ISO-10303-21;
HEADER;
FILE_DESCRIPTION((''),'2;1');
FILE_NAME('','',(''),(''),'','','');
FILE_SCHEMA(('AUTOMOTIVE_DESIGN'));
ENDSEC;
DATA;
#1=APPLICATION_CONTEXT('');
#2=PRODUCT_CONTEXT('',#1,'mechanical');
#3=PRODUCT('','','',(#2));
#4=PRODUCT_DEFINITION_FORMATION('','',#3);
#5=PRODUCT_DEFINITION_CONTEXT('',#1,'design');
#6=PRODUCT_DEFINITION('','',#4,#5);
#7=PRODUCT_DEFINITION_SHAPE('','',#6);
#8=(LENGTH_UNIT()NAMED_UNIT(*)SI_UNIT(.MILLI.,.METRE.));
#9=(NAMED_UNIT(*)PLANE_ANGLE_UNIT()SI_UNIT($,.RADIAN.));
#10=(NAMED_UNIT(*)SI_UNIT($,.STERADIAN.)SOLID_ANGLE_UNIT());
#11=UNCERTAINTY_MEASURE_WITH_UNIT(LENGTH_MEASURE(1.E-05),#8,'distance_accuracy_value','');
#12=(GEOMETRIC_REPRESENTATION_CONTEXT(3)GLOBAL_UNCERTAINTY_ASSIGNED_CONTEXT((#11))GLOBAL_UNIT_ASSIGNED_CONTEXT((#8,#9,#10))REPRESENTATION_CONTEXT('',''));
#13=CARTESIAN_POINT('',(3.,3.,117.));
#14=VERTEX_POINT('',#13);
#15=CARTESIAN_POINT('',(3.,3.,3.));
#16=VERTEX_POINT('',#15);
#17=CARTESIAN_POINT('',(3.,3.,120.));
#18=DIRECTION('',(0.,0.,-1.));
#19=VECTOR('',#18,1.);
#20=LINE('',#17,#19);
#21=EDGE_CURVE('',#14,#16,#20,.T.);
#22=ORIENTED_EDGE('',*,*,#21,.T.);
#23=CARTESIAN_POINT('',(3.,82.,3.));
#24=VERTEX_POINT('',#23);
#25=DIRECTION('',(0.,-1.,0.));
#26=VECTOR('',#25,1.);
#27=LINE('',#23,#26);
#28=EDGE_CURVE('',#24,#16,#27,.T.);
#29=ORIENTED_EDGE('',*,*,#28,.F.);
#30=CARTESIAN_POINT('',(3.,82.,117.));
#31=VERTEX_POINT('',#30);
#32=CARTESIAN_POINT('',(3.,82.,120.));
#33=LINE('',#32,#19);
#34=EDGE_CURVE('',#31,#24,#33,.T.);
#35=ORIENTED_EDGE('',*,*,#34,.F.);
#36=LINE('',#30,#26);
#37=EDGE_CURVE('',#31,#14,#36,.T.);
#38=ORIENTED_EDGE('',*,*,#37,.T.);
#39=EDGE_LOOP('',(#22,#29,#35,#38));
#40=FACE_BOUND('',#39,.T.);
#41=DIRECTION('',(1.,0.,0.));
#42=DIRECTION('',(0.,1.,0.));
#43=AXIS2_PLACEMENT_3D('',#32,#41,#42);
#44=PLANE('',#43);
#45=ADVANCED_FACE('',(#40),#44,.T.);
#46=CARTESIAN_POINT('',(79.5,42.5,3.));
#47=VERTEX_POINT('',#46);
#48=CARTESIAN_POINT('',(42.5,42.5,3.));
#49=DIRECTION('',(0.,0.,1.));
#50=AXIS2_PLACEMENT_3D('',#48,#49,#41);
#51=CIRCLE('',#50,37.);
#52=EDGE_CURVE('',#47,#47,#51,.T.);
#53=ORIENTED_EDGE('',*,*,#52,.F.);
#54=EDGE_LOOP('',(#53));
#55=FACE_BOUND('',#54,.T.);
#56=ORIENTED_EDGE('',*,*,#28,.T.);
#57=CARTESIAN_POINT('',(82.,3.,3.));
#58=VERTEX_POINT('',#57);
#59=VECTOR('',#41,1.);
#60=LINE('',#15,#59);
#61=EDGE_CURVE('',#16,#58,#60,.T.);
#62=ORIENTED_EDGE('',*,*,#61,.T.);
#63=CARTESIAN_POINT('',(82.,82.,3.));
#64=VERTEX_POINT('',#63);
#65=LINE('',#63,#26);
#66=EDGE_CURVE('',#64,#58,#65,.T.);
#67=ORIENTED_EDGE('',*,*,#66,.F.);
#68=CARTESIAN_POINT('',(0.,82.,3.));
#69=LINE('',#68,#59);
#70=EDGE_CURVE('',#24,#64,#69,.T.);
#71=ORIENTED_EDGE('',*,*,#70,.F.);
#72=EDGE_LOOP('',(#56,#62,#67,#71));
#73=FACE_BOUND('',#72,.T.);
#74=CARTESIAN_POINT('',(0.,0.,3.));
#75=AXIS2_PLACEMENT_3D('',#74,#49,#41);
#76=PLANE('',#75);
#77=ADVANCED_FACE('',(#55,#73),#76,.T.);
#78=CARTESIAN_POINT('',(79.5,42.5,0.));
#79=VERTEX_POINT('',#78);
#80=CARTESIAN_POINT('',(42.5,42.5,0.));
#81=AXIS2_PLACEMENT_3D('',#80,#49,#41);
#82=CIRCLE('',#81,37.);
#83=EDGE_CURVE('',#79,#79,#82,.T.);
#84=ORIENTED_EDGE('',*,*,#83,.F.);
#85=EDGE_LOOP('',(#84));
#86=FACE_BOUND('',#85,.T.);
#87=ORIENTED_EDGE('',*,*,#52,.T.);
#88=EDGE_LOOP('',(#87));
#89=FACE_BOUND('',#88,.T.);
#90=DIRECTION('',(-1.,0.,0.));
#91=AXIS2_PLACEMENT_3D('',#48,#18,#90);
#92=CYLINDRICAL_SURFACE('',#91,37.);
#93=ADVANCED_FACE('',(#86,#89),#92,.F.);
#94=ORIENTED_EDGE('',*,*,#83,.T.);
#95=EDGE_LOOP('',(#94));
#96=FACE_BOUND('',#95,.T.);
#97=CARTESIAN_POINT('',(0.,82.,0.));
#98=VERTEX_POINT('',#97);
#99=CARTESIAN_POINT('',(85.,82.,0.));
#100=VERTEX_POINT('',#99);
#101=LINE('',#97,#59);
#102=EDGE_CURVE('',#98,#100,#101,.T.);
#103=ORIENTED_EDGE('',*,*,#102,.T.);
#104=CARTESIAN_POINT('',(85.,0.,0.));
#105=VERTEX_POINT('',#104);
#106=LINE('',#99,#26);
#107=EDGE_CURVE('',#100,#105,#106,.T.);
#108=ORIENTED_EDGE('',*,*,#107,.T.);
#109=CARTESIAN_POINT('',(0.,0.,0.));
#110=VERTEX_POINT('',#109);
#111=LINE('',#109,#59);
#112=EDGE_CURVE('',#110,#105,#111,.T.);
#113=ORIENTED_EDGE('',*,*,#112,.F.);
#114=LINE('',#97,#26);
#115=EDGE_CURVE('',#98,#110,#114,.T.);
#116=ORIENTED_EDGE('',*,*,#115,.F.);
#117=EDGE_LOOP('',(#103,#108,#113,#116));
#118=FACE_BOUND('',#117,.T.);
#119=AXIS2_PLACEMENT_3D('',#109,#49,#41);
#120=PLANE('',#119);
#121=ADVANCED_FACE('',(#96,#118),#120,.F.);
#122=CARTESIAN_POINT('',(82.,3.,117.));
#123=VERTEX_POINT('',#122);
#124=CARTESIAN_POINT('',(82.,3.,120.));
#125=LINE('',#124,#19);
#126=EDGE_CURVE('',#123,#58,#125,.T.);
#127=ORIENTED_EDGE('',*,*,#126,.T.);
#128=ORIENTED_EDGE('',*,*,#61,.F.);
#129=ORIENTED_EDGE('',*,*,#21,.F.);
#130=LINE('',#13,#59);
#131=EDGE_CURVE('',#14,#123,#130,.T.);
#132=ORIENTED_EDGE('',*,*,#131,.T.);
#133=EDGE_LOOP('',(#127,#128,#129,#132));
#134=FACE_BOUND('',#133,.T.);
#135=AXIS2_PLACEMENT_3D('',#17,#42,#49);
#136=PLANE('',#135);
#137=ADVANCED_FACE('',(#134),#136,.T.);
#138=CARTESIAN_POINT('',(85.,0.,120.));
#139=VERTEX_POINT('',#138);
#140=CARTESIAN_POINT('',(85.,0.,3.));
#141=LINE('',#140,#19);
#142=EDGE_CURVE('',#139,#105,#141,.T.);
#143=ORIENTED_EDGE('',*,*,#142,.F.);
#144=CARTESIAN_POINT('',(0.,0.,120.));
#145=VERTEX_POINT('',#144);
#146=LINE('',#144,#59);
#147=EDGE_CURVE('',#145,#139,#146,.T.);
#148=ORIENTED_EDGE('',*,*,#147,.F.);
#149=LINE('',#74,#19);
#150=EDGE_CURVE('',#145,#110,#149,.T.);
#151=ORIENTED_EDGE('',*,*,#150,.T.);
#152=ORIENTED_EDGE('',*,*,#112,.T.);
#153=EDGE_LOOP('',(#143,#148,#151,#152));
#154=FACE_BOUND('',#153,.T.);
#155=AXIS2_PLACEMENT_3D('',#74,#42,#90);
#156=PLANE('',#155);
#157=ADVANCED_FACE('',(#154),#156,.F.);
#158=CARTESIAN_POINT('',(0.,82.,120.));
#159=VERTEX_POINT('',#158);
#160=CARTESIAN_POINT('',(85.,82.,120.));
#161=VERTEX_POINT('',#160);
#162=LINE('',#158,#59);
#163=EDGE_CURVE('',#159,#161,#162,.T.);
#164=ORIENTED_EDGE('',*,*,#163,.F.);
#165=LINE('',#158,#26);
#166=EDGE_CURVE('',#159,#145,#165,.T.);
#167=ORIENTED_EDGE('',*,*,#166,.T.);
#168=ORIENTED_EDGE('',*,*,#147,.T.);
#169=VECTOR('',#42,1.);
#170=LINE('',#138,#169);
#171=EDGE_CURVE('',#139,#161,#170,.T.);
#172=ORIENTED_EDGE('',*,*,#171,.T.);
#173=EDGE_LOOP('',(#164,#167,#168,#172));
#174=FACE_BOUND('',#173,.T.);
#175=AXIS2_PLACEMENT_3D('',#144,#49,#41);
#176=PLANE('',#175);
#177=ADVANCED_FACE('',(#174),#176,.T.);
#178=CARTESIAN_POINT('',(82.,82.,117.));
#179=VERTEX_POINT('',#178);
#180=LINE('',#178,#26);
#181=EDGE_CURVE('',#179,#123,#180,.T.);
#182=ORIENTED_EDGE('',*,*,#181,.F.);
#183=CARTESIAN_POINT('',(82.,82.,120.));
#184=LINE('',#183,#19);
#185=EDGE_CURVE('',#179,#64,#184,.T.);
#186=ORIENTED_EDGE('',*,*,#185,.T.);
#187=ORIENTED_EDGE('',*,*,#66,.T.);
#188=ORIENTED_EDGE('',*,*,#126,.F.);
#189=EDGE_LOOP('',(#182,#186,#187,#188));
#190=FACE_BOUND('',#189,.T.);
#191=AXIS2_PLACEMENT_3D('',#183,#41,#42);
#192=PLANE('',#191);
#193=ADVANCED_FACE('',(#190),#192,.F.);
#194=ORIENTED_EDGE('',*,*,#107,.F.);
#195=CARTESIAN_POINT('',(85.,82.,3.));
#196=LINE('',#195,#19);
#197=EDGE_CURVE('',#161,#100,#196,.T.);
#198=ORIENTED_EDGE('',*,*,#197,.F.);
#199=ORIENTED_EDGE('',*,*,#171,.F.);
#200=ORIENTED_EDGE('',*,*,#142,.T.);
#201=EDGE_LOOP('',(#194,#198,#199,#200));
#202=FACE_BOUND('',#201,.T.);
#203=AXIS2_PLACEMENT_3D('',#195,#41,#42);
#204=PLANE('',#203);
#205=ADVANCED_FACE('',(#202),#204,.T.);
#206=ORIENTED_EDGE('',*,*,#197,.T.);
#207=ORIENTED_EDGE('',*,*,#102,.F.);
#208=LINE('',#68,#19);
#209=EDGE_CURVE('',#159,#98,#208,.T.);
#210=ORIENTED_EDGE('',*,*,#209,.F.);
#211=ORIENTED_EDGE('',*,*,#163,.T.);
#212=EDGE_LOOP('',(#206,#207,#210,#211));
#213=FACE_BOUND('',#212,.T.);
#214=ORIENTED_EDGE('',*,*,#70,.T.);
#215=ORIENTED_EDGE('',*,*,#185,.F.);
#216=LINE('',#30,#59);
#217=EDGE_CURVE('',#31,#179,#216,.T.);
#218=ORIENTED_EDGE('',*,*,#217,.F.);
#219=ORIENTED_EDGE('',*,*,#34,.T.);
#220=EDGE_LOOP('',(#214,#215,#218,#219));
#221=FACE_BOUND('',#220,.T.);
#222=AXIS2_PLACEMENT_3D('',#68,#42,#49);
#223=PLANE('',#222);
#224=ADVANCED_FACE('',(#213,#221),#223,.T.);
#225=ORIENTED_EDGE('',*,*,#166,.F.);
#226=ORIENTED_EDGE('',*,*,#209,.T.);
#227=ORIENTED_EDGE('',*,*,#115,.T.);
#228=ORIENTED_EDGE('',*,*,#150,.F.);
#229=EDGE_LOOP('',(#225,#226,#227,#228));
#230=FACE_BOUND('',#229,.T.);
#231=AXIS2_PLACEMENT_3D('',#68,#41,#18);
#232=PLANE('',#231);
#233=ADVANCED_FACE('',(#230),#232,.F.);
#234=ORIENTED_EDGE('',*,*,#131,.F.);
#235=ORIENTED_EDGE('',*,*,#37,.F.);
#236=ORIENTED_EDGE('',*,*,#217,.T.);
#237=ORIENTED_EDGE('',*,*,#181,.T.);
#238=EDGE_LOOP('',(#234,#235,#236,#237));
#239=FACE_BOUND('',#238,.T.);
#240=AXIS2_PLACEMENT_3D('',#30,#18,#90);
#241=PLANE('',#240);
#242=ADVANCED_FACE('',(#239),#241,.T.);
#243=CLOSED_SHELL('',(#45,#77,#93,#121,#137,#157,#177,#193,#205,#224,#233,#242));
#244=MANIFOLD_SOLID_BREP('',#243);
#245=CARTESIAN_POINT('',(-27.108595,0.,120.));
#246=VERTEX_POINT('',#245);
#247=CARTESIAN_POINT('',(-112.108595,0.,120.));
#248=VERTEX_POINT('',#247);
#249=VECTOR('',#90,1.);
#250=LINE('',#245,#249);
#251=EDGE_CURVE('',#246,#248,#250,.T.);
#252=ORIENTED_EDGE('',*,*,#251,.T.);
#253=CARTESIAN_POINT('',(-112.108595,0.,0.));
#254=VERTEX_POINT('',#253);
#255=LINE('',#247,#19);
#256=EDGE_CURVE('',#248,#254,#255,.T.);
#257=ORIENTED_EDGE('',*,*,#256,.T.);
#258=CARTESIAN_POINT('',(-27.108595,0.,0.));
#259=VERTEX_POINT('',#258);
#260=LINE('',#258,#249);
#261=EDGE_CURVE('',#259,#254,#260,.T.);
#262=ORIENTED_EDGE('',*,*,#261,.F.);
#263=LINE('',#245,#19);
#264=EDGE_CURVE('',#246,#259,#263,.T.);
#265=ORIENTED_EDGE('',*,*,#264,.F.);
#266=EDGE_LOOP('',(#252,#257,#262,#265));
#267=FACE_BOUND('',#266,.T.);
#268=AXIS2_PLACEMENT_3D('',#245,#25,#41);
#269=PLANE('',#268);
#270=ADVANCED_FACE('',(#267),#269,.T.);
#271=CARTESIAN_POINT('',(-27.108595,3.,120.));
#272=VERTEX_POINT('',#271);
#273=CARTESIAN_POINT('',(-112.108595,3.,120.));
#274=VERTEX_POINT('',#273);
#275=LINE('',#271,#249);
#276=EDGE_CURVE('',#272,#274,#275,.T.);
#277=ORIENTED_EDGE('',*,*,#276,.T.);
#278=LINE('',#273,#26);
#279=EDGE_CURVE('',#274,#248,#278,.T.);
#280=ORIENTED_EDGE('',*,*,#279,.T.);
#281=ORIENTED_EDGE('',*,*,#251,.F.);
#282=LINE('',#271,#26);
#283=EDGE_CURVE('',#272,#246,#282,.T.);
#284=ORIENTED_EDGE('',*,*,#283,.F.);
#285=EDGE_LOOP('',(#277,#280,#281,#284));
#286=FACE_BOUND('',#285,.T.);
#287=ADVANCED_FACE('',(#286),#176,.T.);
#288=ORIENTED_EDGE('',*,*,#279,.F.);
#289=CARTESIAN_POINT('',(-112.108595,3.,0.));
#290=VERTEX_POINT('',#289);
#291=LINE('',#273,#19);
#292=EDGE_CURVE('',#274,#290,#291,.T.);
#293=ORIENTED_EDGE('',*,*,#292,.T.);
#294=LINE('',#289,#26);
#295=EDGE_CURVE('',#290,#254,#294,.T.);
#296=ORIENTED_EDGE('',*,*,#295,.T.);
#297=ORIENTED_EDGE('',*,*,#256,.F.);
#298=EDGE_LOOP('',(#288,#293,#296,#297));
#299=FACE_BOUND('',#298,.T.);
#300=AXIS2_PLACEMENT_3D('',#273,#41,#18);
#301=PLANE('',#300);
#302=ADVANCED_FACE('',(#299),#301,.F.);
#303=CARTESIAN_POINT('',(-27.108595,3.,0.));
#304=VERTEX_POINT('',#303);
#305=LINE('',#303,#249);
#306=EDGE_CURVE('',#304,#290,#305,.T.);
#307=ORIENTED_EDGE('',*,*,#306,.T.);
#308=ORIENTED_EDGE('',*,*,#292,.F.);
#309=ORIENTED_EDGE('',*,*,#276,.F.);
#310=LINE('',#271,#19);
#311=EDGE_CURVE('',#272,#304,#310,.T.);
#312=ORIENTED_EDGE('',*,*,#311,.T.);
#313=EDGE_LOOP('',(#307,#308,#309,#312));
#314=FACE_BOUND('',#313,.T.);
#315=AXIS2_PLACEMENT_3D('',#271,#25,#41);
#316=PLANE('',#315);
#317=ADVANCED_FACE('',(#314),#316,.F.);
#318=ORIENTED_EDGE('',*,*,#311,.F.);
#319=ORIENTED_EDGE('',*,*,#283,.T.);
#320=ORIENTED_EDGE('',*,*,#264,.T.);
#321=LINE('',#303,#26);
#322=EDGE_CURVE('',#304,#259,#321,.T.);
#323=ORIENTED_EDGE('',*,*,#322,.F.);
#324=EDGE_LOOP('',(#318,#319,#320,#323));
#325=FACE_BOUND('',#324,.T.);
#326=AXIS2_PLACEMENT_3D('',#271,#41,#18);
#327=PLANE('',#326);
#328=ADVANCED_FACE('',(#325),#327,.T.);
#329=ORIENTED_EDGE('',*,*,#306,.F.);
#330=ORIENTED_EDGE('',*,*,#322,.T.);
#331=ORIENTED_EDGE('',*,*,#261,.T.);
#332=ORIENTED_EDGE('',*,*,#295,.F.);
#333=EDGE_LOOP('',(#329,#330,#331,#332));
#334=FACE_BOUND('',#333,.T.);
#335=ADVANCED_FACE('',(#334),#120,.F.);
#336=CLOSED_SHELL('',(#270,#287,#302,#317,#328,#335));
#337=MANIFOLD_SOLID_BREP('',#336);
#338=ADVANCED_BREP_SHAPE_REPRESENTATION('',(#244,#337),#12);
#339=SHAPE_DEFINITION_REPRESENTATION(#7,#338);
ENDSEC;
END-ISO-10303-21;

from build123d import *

# Parameters (mm, degrees)
SKETCH2_W           = 85
SKETCH2_H           = 82
SKETCH2_R           = 37
BOSS_EXTRUDE1_DEPTH = 3
SKETCH7_W           = 3
SKETCH7_H           = 82
BOSS_EXTRUDE2_DEPTH = 117
SKETCH8_W           = 82
SKETCH8_H           = 3
BOSS_EXTRUDE3_DEPTH = 117
SKETCH10_W          = 3
SKETCH10_H          = 79
BOSS_EXTRUDE4_DEPTH = 117
SKETCH11_W          = 79
SKETCH11_H          = 3
BOSS_EXTRUDE5_DEPTH = 79
SKETCH13_W          = 85
SKETCH13_H          = 3
BOSS_EXTRUDE6_DEPTH = 120


with BuildPart() as part:
    # Sketch2 → Boss-Extrude1 (new body)
    with BuildSketch(Plane.XY):
        with Locations((42.5, 41)):
            Rectangle(SKETCH2_W, SKETCH2_H)
        with Locations((42.5, 42.5)):
            Circle(SKETCH2_R, mode=Mode.SUBTRACT)
    extrude(amount=BOSS_EXTRUDE1_DEPTH)

    # Sketch7 → Boss-Extrude2 (add)
    with BuildSketch(Plane.XY.offset(3)):
        with Locations((1.5, 41)):
            Rectangle(SKETCH7_W, SKETCH7_H)
    extrude(amount=BOSS_EXTRUDE2_DEPTH)

    # Sketch8 → Boss-Extrude3 (add)
    with BuildSketch(Plane.XY.offset(3)):
        with Locations((44, 1.5)):
            Rectangle(SKETCH8_W, SKETCH8_H)
    extrude(amount=BOSS_EXTRUDE3_DEPTH)

    # Sketch10 → Boss-Extrude4 (add)
    with BuildSketch(Plane.XY.offset(3)):
        with Locations((83.5, 42.5)):
            Rectangle(SKETCH10_W, SKETCH10_H)
    extrude(amount=BOSS_EXTRUDE4_DEPTH)

    # Sketch11 → Boss-Extrude5 (add)
    with BuildSketch(Plane(origin=(0, 3, 0), x_dir=(1, 0, 0), z_dir=(0, 1, 0))):
        with Locations((42.5, -118.5)):
            Rectangle(SKETCH11_W, SKETCH11_H)
    extrude(amount=BOSS_EXTRUDE5_DEPTH)


with BuildPart() as body_2:
    # Sketch13 → Boss-Extrude6 (new body)
    with BuildSketch(Plane.XY):
        with Locations((-69.608594637, 1.5)):
            Rectangle(SKETCH13_W, SKETCH13_H)
    extrude(amount=BOSS_EXTRUDE6_DEPTH)


solid = Compound([part.part, body_2.part])
